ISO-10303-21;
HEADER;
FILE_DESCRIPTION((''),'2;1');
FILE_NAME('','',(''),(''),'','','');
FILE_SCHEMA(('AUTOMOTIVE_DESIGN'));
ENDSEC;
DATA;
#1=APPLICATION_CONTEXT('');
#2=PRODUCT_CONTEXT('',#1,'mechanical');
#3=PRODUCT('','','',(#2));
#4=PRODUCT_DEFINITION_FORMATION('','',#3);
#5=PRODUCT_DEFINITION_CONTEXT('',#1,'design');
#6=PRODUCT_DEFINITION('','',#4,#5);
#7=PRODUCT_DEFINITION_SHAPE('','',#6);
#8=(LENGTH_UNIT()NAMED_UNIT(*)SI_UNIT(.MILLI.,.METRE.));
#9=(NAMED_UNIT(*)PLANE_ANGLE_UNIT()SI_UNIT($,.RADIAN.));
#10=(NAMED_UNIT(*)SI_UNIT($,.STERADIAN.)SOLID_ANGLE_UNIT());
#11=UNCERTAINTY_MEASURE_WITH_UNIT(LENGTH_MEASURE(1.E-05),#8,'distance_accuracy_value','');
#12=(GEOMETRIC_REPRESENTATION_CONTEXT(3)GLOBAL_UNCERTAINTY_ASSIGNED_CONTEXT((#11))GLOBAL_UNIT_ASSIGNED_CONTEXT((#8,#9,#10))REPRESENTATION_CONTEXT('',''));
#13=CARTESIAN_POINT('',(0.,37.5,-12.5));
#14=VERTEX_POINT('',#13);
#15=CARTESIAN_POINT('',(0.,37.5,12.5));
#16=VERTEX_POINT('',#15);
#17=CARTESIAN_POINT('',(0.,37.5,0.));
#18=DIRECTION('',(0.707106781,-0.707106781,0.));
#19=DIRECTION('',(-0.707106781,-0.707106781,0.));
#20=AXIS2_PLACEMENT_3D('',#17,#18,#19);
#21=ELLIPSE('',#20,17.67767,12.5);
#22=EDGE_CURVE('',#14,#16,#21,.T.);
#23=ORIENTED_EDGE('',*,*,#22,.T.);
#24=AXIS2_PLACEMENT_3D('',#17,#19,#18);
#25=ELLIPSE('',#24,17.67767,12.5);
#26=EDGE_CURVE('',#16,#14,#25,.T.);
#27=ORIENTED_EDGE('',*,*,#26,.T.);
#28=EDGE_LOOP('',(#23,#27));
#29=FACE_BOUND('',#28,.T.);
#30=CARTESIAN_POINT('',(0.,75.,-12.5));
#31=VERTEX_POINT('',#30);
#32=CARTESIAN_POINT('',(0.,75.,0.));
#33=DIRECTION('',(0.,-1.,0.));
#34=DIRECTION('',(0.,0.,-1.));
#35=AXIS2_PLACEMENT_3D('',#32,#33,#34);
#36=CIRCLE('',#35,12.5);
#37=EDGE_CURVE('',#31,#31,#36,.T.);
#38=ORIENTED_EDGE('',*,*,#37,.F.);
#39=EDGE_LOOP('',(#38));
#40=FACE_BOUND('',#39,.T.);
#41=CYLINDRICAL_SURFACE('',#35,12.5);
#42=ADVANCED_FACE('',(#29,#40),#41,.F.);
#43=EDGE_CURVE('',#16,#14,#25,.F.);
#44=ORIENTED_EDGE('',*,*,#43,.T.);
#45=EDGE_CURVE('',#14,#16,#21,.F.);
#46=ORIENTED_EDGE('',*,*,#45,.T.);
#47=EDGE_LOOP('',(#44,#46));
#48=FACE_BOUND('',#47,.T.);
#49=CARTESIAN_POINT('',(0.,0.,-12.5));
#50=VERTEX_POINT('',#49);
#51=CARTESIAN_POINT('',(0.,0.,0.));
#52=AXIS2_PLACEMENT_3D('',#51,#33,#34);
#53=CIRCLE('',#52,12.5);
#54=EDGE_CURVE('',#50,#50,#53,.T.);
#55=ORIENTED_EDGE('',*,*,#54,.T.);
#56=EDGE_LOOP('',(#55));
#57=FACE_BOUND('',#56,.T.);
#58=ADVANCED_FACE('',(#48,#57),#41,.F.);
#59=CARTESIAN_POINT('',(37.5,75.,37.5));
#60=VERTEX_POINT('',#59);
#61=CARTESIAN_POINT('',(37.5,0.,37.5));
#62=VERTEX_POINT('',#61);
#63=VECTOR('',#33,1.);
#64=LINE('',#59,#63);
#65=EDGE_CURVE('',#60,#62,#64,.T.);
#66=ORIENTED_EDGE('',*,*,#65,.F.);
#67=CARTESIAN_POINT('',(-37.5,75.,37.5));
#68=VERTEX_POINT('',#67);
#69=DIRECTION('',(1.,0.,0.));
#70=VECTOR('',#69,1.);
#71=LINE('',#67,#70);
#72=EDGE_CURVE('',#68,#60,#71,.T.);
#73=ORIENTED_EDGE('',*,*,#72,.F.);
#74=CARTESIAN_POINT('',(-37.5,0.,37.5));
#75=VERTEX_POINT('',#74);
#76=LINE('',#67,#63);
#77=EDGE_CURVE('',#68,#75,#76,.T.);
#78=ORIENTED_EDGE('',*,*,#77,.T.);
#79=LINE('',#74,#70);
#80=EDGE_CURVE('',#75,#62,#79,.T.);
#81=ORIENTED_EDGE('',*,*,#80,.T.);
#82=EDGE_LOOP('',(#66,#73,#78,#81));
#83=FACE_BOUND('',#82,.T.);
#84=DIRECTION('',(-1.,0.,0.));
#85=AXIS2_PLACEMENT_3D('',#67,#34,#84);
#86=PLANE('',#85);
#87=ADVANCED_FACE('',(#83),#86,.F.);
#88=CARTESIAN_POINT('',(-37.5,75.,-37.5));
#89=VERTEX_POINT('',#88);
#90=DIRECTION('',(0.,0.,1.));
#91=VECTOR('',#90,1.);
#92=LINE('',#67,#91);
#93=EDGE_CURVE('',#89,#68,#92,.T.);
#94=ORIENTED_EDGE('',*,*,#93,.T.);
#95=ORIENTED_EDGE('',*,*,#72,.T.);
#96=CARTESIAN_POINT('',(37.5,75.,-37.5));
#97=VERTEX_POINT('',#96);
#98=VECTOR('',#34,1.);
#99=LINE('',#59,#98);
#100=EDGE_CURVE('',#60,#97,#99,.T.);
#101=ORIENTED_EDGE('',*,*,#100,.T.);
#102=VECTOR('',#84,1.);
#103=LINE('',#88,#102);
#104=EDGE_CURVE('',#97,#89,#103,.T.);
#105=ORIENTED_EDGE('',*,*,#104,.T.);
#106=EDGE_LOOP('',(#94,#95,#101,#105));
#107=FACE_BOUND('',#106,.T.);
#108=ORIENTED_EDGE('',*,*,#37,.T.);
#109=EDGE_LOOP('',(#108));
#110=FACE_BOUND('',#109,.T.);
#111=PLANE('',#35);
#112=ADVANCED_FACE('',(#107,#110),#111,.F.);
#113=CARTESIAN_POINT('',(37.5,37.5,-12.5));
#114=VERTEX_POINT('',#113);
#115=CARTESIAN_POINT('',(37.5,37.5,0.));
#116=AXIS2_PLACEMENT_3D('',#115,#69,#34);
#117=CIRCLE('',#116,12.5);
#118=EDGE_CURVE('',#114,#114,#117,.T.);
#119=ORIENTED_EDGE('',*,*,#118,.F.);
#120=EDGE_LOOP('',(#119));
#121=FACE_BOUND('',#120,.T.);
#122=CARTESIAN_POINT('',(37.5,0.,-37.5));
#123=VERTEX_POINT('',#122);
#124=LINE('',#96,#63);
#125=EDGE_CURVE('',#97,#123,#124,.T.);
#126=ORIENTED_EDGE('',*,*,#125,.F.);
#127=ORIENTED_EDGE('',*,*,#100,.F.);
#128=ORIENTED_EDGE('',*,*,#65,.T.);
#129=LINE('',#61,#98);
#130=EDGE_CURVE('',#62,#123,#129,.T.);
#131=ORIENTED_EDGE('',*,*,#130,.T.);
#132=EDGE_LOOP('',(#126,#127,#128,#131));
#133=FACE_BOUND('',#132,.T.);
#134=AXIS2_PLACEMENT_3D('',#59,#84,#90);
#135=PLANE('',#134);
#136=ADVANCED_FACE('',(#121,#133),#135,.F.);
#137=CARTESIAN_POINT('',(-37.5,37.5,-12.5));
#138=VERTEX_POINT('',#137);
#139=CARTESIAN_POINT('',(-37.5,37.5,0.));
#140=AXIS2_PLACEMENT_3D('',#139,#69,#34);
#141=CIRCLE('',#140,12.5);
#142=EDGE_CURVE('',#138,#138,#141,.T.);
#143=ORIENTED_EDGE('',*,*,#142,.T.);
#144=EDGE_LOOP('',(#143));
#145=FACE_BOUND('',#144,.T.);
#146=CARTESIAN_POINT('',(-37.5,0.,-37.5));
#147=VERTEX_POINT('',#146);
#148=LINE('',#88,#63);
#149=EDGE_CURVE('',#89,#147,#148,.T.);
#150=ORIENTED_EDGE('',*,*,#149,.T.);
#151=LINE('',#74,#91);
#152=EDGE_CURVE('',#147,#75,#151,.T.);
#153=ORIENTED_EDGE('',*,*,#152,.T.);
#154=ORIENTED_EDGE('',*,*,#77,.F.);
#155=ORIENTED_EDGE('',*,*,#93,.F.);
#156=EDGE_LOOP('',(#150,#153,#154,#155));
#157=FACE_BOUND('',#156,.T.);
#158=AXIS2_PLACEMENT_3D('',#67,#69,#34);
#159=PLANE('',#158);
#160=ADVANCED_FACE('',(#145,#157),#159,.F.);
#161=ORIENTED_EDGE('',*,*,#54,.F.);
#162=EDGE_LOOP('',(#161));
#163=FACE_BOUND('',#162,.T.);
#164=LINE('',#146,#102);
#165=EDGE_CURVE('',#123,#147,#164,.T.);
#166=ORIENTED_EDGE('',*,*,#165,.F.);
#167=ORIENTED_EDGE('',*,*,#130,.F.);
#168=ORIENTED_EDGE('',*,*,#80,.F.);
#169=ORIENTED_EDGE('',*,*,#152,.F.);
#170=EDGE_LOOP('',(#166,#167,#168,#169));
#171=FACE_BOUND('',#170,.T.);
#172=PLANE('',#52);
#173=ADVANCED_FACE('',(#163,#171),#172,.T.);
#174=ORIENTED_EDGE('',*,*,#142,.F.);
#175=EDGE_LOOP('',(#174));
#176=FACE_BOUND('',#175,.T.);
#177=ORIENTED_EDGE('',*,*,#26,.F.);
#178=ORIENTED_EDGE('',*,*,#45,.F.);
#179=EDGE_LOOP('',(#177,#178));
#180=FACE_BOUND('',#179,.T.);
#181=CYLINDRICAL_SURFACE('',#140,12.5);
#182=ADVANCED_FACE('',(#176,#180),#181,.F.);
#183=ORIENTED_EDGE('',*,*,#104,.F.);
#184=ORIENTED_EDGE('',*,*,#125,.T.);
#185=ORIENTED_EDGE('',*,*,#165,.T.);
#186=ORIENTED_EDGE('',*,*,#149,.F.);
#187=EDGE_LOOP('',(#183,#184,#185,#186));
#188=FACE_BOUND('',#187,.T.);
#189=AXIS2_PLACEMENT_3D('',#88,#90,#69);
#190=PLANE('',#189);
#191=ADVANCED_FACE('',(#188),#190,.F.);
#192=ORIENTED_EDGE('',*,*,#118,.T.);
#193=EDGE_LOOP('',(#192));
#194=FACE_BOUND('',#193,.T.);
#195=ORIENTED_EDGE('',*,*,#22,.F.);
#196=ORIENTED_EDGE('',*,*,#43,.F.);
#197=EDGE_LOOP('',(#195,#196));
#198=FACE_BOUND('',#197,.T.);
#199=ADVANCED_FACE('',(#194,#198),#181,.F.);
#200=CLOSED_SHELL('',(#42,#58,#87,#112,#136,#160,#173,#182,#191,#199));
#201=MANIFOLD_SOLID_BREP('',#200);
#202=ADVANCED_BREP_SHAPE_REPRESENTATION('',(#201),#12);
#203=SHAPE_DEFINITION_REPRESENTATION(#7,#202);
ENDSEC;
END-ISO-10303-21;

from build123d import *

# Parameters (mm, degrees)
SKETCH1_W           = 75
SKETCH1_H           = 75
BOSS_EXTRUDE1_DEPTH = 75
SKETCH2_R           = 12.5
CUT_EXTRUDE1_DEPTH  = 92.855865354
SKETCH5_R           = 12.5
CUT_EXTRUDE2_DEPTH  = 113.5


with BuildPart() as part:
    # Sketch1 → Boss-Extrude1 (new body)
    with BuildSketch(Plane(origin=(0, 0, 0), x_dir=(1, 0, 0), z_dir=(0, 1, 0))):
        Rectangle(SKETCH1_W, SKETCH1_H)
    extrude(amount=BOSS_EXTRUDE1_DEPTH)

    # Sketch2 → Cut-Extrude1 (cut, through all)
    with BuildSketch(Plane(origin=(0, 0, 0), x_dir=(-1, 0, 0), z_dir=(0, -1, 0))):
        with Locations(Location((0, 0, 0), (0, 0, 90))):
            Circle(SKETCH2_R)
    extrude(amount=-CUT_EXTRUDE1_DEPTH, mode=Mode.SUBTRACT)

    # Sketch5 → Cut-Extrude2 (cut, through all)
    with BuildSketch(Plane(origin=(37.5, 0, 0), x_dir=(0, 0, -1), z_dir=(1, 0, 0))):
        with Locations((0, 37.5)):
            Circle(SKETCH5_R)
    extrude(amount=-CUT_EXTRUDE2_DEPTH, mode=Mode.SUBTRACT)


solid = part.part
